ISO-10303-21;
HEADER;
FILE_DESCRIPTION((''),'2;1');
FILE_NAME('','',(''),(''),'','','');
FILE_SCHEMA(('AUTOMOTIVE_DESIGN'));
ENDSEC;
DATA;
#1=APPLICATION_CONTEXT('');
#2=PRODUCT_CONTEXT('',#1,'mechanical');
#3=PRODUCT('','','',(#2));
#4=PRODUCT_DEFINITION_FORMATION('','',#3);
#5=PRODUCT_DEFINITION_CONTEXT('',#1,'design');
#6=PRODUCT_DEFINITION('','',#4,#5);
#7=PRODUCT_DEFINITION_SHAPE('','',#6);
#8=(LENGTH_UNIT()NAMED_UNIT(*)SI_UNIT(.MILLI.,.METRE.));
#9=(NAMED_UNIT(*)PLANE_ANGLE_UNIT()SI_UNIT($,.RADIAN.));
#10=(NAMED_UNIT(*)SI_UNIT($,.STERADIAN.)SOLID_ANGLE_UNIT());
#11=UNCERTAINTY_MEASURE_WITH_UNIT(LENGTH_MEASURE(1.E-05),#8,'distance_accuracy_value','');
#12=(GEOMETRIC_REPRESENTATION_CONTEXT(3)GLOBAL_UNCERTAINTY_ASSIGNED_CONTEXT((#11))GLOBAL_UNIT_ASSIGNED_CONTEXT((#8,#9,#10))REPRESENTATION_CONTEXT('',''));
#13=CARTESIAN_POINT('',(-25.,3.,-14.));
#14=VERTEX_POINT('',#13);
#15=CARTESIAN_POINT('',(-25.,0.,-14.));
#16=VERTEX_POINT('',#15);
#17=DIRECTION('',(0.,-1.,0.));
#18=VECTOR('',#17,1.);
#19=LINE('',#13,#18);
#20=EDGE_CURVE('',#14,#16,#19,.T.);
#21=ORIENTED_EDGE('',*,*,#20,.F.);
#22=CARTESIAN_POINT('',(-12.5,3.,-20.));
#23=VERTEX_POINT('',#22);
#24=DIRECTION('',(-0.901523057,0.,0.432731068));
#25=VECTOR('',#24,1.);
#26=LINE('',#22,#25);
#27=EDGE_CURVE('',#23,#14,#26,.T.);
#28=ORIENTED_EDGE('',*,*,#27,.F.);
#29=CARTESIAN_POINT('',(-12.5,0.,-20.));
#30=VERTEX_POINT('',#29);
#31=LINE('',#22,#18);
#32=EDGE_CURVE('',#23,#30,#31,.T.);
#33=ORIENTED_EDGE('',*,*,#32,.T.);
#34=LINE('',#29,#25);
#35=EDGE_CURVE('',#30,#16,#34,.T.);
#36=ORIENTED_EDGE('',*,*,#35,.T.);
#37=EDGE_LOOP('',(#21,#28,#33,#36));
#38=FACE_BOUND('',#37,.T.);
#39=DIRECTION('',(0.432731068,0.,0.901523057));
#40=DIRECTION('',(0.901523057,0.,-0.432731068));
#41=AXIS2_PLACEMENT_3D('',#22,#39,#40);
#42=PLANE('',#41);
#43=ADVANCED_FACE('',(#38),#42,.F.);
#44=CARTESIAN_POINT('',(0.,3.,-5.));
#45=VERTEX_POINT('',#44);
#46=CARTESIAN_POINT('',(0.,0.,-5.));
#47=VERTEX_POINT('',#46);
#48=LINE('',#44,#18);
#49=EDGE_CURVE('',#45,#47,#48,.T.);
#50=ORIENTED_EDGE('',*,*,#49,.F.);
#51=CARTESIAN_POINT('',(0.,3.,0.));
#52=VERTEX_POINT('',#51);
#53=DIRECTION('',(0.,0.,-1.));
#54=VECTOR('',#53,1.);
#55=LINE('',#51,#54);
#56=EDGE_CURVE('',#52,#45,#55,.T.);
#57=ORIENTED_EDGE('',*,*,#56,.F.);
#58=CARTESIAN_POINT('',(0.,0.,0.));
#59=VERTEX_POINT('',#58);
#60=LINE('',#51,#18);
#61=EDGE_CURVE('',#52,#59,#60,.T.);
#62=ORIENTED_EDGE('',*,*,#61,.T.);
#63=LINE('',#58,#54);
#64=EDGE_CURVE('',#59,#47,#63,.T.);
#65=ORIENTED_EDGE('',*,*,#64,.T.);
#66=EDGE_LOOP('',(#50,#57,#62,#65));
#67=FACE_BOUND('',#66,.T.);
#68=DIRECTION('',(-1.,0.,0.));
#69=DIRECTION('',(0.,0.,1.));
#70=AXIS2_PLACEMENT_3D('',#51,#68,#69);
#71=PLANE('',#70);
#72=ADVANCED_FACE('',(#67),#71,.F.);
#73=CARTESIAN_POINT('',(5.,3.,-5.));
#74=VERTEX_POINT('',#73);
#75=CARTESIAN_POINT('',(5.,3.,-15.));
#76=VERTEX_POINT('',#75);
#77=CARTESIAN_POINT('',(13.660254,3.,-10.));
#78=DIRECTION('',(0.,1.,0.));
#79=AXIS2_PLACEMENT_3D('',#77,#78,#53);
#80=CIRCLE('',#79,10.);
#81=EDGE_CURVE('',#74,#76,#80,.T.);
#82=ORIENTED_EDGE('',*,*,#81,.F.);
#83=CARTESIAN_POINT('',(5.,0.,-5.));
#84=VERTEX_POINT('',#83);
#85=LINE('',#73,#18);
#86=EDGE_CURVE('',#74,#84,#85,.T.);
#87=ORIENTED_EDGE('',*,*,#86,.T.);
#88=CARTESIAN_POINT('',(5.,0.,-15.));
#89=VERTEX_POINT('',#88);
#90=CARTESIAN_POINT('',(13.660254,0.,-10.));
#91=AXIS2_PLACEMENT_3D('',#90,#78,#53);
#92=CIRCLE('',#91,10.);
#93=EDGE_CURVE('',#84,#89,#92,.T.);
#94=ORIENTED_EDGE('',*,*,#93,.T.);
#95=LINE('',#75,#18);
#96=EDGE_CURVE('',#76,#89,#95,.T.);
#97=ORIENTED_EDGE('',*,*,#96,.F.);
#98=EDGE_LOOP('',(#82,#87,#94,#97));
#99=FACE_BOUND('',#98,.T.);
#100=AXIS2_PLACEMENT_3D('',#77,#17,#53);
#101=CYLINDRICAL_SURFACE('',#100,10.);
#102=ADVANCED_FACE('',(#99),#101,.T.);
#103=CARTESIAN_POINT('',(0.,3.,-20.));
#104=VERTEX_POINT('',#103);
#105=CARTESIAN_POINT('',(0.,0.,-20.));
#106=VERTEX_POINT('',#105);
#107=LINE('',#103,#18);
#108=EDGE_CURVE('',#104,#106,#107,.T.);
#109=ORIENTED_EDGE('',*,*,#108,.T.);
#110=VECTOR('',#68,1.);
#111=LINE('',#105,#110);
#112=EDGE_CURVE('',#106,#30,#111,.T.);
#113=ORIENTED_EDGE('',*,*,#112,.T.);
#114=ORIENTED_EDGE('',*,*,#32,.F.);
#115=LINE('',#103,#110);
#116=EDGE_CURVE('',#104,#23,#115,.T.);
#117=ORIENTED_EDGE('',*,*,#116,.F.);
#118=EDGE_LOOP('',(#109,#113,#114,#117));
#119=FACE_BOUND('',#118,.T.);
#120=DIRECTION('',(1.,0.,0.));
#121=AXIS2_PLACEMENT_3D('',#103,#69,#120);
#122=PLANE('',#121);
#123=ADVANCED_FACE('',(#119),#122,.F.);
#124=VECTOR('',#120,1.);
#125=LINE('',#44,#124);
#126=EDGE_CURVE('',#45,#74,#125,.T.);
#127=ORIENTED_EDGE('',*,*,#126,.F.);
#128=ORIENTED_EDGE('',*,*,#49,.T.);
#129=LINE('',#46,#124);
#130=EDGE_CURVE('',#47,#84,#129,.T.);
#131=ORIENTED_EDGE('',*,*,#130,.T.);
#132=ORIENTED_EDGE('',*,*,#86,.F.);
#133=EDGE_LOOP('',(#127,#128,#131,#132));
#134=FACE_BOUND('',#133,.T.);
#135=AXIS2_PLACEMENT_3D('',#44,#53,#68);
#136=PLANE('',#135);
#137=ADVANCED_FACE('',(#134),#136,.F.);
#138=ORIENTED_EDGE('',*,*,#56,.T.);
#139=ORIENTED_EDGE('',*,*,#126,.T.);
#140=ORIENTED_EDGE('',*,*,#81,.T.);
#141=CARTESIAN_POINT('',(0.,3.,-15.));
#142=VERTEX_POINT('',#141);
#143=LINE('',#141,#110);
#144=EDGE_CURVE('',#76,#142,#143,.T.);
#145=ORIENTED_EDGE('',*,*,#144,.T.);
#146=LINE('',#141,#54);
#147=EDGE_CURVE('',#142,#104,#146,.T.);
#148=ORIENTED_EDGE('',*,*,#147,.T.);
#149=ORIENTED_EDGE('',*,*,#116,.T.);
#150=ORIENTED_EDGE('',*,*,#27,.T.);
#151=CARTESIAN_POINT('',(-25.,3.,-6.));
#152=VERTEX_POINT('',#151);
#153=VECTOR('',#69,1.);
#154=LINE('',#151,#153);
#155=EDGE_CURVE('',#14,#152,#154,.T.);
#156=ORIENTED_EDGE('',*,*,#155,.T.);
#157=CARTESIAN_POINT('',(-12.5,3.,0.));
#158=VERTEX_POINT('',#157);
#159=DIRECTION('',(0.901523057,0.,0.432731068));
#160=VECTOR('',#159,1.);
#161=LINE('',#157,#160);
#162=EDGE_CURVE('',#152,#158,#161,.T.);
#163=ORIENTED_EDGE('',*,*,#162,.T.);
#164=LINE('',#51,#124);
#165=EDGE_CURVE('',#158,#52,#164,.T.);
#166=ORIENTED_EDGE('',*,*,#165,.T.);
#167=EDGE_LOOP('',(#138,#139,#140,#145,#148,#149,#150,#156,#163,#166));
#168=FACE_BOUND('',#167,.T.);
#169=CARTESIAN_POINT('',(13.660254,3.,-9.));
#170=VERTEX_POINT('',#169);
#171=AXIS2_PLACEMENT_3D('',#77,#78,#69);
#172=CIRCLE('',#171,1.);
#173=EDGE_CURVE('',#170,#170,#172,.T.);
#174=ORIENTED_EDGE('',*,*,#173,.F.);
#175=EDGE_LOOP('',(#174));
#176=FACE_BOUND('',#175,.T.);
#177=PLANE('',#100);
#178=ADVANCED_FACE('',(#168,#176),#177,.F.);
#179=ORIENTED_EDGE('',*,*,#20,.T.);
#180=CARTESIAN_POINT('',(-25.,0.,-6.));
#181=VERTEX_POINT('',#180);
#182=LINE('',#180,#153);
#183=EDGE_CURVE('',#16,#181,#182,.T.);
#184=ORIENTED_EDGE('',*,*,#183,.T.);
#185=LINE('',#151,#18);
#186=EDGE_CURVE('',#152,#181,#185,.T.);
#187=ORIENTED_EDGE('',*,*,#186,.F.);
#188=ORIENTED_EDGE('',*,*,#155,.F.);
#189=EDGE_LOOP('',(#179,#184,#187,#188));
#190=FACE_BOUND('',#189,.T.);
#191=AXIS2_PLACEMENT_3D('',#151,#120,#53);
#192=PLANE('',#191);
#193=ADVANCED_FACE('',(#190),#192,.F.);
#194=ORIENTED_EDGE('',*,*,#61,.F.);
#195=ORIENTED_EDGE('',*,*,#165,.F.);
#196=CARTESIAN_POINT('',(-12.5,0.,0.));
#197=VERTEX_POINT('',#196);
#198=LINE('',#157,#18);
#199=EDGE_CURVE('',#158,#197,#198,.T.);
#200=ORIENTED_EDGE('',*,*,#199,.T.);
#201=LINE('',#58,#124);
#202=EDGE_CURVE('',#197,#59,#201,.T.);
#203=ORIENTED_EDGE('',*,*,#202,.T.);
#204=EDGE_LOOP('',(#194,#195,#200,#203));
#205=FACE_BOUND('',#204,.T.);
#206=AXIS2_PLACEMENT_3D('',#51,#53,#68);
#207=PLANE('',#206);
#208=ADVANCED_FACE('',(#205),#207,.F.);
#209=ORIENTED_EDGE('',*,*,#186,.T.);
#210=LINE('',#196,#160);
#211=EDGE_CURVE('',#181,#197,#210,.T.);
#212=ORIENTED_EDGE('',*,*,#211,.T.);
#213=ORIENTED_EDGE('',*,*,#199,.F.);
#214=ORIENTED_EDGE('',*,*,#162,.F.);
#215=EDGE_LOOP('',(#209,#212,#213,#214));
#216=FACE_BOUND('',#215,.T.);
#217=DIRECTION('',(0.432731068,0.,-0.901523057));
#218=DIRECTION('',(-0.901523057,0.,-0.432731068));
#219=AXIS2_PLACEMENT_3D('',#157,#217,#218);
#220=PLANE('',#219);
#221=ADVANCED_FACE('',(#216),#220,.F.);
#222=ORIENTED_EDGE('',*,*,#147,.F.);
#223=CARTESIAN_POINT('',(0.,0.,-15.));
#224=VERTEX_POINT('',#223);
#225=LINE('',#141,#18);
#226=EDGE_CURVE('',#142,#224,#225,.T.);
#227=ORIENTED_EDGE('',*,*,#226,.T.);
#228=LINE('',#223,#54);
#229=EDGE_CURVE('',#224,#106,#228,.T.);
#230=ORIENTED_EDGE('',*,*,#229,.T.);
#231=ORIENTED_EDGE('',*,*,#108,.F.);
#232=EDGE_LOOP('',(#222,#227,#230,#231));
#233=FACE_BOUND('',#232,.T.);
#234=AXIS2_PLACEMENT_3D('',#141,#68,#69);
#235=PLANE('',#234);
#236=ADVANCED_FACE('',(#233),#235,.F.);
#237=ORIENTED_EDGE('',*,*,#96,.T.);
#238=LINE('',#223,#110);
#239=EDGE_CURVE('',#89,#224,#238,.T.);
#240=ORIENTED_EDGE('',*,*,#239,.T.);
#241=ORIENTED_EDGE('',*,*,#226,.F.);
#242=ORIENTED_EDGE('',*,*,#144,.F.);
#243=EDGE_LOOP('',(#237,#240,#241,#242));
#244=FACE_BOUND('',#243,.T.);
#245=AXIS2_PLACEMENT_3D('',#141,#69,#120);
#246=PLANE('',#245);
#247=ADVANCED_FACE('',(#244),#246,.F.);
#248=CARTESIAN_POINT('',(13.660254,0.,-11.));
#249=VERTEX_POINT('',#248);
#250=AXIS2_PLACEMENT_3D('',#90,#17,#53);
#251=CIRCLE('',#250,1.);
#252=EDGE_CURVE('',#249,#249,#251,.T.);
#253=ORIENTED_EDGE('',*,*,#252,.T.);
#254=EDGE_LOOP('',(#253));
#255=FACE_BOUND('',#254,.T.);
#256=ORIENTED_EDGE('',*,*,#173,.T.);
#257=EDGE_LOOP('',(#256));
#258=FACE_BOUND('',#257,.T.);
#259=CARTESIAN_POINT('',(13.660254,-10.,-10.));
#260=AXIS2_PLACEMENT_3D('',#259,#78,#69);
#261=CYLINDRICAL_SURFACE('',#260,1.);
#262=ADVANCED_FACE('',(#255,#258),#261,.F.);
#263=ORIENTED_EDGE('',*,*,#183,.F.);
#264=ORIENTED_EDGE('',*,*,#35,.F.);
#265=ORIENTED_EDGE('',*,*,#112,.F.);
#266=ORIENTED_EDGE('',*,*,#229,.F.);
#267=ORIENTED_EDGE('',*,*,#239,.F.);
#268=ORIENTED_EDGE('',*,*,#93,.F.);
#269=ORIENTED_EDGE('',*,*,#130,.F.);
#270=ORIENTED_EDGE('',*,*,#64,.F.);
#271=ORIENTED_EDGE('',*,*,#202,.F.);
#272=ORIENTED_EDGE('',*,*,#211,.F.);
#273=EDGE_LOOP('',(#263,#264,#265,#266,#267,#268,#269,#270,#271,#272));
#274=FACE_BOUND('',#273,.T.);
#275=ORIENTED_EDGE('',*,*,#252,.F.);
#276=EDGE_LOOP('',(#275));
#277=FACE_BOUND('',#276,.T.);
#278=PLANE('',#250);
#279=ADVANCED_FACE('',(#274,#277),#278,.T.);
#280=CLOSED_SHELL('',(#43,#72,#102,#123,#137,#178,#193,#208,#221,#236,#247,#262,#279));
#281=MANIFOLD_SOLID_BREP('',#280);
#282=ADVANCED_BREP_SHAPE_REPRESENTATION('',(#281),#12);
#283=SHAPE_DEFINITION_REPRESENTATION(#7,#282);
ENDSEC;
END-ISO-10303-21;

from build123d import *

# Parameters (mm, degrees)
BOSS_EXTRUDE1_DEPTH = 3
SKETCH2_R           = 1
CUT_EXTRUDE1_DEPTH  = 13


with BuildPart() as part:
    # Sketch1 → Boss-Extrude1 (new body)
    with BuildSketch(Plane(origin=(0, 0, 0), x_dir=(1, 0, 0), z_dir=(0, 1, 0))):
        with BuildLine():
            Line((-12.5, 0), (-25, 6))
            Line((-25, 6), (-25, 14))
            Line((-25, 14), (-12.5, 20))
            Line((-12.5, 20), (0, 20))
            Line((0, 20), (0, 15))
            Line((0, 15), (5, 15))
            ThreePointArc((5, 15), (23.660254038, 10), (5, 5))
            Line((5, 5), (0, 5))
            Line((0, 5), (0, 0))
            Line((0, 0), (-12.5, 0))
        make_face()
    extrude(amount=BOSS_EXTRUDE1_DEPTH)

    # Sketch2 → Cut-Extrude1 (cut)
    with BuildSketch(Plane(origin=(0, 3, 0), x_dir=(1, 0, 0), z_dir=(0, 1, 0))):
        with Locations(Location((13.660254038, 10, 0), (0, 0, 270))):
            Circle(SKETCH2_R)
    extrude(amount=-CUT_EXTRUDE1_DEPTH, mode=Mode.SUBTRACT)


solid = part.part
